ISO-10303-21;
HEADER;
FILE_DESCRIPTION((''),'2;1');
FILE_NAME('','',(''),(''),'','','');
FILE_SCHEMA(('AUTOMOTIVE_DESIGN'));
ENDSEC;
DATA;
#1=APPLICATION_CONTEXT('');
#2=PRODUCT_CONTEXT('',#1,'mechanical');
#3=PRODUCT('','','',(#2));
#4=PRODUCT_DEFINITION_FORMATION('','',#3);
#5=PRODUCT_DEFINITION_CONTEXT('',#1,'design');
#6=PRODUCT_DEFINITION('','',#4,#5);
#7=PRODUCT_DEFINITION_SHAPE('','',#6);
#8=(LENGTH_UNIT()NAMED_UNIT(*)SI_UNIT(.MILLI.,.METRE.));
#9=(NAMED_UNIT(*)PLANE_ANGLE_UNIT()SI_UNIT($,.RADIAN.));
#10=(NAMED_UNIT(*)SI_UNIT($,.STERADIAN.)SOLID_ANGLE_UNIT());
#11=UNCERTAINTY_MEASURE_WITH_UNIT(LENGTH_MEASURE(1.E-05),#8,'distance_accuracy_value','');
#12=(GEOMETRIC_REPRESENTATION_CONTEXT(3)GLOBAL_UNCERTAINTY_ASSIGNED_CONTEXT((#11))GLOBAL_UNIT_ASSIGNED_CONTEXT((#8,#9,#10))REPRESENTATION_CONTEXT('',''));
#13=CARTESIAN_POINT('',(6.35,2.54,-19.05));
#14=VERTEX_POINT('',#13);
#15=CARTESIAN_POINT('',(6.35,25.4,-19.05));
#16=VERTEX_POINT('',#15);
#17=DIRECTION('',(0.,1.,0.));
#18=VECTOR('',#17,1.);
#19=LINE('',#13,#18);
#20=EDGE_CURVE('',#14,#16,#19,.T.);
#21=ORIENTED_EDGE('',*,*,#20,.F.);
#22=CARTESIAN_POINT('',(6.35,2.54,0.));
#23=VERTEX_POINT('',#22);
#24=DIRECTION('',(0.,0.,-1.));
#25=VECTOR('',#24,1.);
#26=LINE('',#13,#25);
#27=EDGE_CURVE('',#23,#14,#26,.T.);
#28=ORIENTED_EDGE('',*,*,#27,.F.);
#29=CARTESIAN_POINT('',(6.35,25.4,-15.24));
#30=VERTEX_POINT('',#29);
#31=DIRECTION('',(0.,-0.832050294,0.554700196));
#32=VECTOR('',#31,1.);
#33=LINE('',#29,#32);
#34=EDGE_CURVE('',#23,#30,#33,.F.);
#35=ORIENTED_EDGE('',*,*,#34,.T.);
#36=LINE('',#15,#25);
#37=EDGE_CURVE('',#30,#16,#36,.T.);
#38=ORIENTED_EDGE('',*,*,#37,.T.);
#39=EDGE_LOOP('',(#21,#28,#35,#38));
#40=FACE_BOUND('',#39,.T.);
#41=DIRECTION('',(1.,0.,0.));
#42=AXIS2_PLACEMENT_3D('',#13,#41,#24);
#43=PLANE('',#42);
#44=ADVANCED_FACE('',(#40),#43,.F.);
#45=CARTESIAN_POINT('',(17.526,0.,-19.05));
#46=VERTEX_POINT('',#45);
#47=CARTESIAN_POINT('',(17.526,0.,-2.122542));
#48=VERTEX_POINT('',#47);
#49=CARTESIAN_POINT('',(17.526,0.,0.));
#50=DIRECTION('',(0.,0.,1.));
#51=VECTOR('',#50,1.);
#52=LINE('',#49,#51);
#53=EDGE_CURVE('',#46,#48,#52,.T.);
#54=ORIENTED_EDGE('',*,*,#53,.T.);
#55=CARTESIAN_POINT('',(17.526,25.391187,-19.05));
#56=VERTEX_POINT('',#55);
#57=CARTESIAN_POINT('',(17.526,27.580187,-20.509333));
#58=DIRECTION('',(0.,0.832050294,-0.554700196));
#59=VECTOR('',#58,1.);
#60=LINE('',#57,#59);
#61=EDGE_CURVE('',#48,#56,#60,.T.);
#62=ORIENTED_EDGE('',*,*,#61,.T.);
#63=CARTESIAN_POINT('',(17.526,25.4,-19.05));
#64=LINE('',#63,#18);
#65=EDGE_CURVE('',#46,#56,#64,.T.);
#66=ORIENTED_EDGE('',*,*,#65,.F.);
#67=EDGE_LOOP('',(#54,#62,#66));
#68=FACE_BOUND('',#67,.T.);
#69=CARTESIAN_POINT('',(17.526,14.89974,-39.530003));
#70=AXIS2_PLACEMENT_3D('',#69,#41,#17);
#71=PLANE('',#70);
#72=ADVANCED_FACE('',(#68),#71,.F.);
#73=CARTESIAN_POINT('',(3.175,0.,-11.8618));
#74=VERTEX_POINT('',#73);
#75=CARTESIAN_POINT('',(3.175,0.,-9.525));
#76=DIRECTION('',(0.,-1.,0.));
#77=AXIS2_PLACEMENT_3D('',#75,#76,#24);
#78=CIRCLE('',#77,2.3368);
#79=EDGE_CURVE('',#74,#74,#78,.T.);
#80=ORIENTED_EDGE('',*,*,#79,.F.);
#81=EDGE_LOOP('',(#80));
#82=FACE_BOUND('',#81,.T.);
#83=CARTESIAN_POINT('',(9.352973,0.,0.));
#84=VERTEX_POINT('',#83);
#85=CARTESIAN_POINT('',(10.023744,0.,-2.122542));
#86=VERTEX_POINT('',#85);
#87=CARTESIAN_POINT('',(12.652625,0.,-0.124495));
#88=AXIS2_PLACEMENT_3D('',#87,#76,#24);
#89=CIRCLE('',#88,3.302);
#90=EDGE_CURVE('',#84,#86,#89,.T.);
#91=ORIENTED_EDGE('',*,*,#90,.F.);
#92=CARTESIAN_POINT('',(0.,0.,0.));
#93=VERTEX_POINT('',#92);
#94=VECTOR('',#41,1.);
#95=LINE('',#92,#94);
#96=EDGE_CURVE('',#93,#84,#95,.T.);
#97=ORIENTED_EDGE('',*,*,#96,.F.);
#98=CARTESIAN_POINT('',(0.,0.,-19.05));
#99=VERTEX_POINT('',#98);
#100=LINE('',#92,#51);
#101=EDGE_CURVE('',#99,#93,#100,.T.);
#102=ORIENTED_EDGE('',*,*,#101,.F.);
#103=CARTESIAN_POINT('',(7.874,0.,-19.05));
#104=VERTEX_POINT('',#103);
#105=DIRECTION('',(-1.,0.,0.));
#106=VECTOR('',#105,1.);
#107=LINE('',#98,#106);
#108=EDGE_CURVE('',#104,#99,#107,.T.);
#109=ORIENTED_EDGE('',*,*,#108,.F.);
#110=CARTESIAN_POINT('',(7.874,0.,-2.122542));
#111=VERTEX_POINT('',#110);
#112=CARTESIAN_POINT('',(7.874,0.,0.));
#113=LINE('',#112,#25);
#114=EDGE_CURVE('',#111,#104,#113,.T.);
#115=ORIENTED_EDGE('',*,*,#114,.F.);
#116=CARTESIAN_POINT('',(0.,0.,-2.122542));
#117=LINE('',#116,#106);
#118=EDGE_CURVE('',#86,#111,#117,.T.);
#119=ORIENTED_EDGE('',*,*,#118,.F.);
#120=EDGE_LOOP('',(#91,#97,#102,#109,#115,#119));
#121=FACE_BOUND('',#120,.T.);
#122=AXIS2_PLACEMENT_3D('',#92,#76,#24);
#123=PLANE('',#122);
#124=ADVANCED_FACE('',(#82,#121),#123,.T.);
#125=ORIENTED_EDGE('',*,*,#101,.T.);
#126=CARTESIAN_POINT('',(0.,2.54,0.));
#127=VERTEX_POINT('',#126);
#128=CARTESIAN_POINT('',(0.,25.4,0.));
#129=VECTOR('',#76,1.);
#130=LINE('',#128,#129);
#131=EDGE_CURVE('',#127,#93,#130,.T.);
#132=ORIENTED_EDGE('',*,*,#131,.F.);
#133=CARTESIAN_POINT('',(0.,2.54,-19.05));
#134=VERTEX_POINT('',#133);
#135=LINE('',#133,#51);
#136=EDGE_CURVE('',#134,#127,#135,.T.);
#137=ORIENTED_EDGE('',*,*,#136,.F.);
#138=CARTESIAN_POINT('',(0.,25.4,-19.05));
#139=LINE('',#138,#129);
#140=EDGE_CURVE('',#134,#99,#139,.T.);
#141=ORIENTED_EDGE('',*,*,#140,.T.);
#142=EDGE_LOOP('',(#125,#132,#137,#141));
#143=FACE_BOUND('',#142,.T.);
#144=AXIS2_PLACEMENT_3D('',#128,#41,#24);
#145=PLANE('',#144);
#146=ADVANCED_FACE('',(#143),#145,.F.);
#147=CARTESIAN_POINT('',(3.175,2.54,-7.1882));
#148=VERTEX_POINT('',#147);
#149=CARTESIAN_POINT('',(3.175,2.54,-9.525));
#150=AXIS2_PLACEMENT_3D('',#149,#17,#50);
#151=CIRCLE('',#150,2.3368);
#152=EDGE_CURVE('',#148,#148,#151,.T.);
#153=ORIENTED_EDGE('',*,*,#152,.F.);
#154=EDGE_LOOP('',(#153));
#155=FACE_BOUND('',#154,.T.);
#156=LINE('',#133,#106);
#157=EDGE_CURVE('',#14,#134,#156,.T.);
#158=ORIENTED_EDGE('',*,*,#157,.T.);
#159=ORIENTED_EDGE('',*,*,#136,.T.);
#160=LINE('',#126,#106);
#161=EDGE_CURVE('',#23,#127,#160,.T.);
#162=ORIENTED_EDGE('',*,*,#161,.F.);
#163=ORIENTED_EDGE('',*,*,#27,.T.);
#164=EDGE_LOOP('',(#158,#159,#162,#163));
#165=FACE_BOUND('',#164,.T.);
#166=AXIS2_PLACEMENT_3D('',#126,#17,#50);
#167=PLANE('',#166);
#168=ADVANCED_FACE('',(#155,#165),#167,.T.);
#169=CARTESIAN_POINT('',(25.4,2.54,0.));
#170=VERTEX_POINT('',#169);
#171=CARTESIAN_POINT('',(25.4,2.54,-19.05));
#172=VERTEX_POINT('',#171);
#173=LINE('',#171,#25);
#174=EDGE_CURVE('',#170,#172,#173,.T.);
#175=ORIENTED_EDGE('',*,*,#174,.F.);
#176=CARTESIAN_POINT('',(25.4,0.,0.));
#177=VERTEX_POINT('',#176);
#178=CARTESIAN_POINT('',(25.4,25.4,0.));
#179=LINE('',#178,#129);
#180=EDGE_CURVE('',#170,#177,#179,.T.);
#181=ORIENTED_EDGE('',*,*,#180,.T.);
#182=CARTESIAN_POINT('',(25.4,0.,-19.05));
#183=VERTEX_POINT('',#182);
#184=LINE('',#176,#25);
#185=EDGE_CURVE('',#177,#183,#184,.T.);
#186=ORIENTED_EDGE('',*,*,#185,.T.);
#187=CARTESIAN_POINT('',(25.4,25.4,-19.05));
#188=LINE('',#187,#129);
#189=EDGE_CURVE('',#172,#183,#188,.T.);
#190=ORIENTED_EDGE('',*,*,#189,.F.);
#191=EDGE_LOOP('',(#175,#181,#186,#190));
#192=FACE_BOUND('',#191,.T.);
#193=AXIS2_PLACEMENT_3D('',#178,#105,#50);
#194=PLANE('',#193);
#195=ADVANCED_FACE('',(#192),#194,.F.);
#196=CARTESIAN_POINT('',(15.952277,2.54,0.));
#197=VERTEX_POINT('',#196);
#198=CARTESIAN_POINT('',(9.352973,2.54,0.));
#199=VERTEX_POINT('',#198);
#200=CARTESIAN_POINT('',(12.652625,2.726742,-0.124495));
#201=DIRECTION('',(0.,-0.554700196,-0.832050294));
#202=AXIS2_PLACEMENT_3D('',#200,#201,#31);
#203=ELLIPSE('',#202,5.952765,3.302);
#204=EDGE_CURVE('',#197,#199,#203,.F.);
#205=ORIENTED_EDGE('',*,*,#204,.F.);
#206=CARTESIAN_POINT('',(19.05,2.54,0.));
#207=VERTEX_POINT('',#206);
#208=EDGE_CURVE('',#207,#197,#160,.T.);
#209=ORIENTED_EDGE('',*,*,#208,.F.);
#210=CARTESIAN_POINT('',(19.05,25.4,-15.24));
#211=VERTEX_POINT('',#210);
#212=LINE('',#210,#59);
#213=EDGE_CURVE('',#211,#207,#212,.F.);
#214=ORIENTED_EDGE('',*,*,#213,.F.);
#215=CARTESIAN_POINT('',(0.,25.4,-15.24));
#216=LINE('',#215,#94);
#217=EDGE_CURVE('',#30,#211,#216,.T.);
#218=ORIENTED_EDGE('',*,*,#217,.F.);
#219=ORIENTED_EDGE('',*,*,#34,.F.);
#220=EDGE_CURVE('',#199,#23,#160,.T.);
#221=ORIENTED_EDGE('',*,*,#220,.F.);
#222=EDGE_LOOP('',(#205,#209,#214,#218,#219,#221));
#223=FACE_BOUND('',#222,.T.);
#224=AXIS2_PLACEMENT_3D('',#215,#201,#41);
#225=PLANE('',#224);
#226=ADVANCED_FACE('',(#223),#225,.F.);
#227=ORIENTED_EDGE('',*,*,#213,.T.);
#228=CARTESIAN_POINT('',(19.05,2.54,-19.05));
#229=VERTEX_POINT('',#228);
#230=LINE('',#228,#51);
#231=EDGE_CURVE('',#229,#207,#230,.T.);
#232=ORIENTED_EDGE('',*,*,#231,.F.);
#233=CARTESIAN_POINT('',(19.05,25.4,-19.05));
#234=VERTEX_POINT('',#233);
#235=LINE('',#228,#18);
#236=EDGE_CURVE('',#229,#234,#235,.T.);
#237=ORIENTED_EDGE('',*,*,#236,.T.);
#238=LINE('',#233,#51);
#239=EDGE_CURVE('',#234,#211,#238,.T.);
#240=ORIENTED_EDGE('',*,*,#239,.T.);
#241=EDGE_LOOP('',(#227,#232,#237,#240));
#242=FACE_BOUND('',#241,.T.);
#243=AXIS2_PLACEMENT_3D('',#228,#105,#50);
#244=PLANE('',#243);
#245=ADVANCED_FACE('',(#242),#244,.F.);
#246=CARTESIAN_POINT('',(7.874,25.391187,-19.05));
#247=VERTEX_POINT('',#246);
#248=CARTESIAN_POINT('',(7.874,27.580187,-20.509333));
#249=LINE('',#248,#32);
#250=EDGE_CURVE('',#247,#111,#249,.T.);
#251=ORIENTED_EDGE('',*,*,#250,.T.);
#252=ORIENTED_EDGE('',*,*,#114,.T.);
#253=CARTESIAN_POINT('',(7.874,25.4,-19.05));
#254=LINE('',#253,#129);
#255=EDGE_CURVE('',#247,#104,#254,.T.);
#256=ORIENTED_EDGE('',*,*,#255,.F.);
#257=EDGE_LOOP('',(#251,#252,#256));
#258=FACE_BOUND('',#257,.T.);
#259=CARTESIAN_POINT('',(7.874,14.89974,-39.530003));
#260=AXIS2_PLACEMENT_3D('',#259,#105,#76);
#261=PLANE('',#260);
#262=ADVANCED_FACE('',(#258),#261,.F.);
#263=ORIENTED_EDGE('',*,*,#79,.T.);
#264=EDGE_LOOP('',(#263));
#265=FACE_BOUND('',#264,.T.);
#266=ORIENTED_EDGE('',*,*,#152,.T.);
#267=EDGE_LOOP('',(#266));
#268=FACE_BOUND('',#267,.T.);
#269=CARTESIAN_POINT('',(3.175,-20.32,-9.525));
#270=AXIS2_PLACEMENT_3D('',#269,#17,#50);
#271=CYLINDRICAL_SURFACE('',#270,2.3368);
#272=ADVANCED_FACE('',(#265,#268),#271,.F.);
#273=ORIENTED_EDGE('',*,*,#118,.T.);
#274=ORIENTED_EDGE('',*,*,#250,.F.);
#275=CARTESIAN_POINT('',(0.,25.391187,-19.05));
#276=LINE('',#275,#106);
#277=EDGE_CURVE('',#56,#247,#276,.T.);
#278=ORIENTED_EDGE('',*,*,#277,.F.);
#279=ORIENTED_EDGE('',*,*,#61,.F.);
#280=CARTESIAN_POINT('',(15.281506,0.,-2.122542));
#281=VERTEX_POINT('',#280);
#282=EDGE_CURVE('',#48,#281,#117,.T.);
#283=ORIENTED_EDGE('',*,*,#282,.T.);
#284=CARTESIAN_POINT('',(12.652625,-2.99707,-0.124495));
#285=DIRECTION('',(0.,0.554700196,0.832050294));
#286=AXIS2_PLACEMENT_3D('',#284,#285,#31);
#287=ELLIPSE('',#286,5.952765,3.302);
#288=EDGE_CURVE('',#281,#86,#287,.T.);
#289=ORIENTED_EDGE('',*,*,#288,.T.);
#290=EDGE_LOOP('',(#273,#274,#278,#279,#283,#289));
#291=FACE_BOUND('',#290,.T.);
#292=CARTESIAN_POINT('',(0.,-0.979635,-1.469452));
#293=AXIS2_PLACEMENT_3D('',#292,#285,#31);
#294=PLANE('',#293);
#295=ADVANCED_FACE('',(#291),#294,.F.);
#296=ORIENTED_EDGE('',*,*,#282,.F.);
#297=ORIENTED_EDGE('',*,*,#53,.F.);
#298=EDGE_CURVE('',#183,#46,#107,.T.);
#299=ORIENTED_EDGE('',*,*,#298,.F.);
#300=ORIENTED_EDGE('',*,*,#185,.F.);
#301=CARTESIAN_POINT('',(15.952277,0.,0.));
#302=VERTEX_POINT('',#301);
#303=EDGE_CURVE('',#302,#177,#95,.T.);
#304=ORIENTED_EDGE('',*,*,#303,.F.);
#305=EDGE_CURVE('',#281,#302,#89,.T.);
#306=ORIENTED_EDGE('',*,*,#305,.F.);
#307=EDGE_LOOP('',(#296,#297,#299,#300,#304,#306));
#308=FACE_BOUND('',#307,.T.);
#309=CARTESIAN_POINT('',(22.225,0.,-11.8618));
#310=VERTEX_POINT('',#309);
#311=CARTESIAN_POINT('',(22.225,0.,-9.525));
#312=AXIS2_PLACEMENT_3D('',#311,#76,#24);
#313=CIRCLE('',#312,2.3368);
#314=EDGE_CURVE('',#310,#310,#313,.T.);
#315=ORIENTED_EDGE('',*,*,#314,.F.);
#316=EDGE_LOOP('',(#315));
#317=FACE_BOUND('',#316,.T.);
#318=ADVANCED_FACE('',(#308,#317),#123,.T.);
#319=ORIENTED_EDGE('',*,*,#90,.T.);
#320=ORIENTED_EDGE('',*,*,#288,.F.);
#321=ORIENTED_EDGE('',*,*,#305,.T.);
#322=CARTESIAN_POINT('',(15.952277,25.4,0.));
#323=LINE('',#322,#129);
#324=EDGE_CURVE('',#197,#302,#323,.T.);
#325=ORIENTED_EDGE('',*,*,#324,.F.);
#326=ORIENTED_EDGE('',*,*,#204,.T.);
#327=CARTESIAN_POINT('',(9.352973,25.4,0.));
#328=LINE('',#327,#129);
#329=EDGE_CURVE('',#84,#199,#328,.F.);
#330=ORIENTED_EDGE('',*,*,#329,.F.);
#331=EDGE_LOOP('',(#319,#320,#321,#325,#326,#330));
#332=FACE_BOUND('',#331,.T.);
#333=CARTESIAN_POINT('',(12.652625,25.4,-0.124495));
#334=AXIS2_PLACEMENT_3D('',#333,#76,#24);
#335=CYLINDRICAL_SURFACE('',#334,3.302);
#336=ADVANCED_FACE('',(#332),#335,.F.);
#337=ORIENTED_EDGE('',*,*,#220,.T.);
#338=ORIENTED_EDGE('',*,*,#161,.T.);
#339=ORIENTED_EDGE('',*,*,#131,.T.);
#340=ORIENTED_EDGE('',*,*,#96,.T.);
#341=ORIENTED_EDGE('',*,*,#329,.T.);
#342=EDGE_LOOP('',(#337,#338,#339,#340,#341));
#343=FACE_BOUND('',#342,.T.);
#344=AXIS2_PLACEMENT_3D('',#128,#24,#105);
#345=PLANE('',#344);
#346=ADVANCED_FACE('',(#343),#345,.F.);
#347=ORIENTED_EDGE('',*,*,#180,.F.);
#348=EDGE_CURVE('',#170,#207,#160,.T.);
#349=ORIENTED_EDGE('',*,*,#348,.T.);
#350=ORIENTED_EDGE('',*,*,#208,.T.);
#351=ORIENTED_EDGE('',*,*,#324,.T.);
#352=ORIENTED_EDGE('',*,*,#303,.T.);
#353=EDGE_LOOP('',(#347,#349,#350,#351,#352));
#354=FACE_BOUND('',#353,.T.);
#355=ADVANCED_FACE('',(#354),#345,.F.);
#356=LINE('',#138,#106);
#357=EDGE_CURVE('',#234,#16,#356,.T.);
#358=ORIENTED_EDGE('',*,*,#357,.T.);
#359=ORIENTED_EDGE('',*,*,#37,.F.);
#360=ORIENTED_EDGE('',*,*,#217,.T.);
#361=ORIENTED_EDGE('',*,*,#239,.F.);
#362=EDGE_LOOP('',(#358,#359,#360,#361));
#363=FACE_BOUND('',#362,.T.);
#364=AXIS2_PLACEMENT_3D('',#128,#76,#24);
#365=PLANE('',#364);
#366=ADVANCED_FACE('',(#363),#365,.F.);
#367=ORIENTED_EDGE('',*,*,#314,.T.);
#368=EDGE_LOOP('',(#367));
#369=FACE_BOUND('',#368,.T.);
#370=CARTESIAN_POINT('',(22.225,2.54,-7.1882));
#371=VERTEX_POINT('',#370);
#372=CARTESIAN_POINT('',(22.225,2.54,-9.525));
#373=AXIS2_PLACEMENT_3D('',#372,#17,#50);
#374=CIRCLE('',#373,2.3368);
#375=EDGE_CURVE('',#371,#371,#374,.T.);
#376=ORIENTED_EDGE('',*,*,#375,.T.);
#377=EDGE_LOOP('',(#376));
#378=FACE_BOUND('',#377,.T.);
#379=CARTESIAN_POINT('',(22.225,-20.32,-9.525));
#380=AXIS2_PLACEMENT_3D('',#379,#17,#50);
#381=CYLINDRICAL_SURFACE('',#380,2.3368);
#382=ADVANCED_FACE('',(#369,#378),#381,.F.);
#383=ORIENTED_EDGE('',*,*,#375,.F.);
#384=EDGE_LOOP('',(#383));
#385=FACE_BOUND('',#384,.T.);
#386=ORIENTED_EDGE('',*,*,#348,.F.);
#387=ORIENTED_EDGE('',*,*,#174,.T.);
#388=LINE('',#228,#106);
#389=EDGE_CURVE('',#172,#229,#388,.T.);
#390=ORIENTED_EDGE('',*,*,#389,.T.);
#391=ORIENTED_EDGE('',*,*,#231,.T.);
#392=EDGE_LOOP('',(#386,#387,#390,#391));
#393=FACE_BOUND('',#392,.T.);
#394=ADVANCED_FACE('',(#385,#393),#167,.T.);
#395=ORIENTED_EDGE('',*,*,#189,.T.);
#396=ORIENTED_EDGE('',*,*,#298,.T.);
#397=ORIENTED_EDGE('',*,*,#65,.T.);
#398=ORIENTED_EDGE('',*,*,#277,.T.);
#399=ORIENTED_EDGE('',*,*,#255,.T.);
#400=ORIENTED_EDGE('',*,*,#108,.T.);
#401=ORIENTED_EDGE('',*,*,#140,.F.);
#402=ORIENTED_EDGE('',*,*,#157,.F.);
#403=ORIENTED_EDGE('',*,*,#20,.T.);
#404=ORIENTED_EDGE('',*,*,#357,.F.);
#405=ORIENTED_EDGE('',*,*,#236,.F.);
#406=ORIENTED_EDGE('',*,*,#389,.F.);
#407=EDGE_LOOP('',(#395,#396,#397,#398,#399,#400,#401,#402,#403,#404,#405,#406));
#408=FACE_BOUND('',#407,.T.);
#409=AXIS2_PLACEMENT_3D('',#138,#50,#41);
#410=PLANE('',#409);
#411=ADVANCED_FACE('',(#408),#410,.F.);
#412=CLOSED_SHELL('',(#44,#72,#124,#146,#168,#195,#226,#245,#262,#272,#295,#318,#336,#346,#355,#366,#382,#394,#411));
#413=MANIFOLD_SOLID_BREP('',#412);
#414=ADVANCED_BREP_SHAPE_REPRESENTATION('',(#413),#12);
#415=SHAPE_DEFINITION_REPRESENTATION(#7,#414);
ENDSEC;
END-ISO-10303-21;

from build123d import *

# Parameters (mm, degrees)
SKETCH1_W           = 25.4
SKETCH1_H           = 19.05
BOSS_EXTRUDE1_DEPTH = 25.4
CHAMFER1_SIZE       = 22.86
CHAMFER1_SIZE2      = 15.24
SKETCH2_W           = 6.35
SKETCH2_H           = 22.78915262
CUT_EXTRUDE1_DEPTH  = 22.86
SKETCH3_W           = 9.652
SKETCH3_H           = 39.353766532
CUT_EXTRUDE2_DEPTH  = 22.86
SKETCH4_R           = 2.3368
CUT_EXTRUDE3_DEPTH  = 22.86
SKETCH6_R           = 3.302
CUT_EXTRUDE5_DEPTH  = 26.4


with BuildPart() as part:
    # Sketch1 → Boss-Extrude1 (new body)
    with BuildSketch(Plane(origin=(0, 0, 0), x_dir=(1, 0, 0), z_dir=(0, 1, 0))):
        with Locations((12.7, 9.525)):
            Rectangle(SKETCH1_W, SKETCH1_H)
    extrude(amount=BOSS_EXTRUDE1_DEPTH)

    # Chamfer1
    chamfer1_edges = [part.edges().sort_by_distance(p)[0] for p in [
        (12.7, 25.4, 0),
    ]]
    chamfer1_side = [part.faces().sort_by_distance(p)[0] for p in [
        (12.7, 12.7, 0),
    ]]
    chamfer(chamfer1_edges, length=CHAMFER1_SIZE, length2=CHAMFER1_SIZE2, reference=chamfer1_side[0])

    # Sketch2 → Cut-Extrude1 (cut)
    with BuildSketch(Plane(origin=(0, 25.4, 0), x_dir=(1, 0, 0), z_dir=(0, 1, 0))):
        with Locations((22.225, 7.65542369)):
            Rectangle(SKETCH2_W, SKETCH2_H)
        with Locations((3.175, 7.65542369)):
            Rectangle(SKETCH2_W, SKETCH2_H)
    extrude(amount=-CUT_EXTRUDE1_DEPTH, mode=Mode.SUBTRACT)

    # Sketch3 → Cut-Extrude2 (cut)
    with BuildSketch(Plane(origin=(0, -0.979634661, -1.469451992), x_dir=(1, 0, 0), z_dir=(0, 0.554700196, 0.832050294))):
        with Locations((12.7, 14.647750361)):
            Rectangle(SKETCH3_W, SKETCH3_H)
    extrude(amount=-CUT_EXTRUDE2_DEPTH, mode=Mode.SUBTRACT)

    # Sketch4 → Cut-Extrude3 (cut)
    with BuildSketch(Plane(origin=(0, 2.54, 0), x_dir=(1, 0, 0), z_dir=(0, 1, 0))):
        with Locations((3.175, 9.525)):
            Circle(SKETCH4_R)
        with Locations((22.225, 9.525)):
            Circle(SKETCH4_R)
    extrude(amount=-CUT_EXTRUDE3_DEPTH, mode=Mode.SUBTRACT)

    # Sketch6 → Cut-Extrude5 (cut, through all)
    with BuildSketch(Plane.XZ):
        with Locations((12.652625, -0.124494929)):
            Circle(SKETCH6_R)
    extrude(amount=-CUT_EXTRUDE5_DEPTH, mode=Mode.SUBTRACT)


solid = part.part
